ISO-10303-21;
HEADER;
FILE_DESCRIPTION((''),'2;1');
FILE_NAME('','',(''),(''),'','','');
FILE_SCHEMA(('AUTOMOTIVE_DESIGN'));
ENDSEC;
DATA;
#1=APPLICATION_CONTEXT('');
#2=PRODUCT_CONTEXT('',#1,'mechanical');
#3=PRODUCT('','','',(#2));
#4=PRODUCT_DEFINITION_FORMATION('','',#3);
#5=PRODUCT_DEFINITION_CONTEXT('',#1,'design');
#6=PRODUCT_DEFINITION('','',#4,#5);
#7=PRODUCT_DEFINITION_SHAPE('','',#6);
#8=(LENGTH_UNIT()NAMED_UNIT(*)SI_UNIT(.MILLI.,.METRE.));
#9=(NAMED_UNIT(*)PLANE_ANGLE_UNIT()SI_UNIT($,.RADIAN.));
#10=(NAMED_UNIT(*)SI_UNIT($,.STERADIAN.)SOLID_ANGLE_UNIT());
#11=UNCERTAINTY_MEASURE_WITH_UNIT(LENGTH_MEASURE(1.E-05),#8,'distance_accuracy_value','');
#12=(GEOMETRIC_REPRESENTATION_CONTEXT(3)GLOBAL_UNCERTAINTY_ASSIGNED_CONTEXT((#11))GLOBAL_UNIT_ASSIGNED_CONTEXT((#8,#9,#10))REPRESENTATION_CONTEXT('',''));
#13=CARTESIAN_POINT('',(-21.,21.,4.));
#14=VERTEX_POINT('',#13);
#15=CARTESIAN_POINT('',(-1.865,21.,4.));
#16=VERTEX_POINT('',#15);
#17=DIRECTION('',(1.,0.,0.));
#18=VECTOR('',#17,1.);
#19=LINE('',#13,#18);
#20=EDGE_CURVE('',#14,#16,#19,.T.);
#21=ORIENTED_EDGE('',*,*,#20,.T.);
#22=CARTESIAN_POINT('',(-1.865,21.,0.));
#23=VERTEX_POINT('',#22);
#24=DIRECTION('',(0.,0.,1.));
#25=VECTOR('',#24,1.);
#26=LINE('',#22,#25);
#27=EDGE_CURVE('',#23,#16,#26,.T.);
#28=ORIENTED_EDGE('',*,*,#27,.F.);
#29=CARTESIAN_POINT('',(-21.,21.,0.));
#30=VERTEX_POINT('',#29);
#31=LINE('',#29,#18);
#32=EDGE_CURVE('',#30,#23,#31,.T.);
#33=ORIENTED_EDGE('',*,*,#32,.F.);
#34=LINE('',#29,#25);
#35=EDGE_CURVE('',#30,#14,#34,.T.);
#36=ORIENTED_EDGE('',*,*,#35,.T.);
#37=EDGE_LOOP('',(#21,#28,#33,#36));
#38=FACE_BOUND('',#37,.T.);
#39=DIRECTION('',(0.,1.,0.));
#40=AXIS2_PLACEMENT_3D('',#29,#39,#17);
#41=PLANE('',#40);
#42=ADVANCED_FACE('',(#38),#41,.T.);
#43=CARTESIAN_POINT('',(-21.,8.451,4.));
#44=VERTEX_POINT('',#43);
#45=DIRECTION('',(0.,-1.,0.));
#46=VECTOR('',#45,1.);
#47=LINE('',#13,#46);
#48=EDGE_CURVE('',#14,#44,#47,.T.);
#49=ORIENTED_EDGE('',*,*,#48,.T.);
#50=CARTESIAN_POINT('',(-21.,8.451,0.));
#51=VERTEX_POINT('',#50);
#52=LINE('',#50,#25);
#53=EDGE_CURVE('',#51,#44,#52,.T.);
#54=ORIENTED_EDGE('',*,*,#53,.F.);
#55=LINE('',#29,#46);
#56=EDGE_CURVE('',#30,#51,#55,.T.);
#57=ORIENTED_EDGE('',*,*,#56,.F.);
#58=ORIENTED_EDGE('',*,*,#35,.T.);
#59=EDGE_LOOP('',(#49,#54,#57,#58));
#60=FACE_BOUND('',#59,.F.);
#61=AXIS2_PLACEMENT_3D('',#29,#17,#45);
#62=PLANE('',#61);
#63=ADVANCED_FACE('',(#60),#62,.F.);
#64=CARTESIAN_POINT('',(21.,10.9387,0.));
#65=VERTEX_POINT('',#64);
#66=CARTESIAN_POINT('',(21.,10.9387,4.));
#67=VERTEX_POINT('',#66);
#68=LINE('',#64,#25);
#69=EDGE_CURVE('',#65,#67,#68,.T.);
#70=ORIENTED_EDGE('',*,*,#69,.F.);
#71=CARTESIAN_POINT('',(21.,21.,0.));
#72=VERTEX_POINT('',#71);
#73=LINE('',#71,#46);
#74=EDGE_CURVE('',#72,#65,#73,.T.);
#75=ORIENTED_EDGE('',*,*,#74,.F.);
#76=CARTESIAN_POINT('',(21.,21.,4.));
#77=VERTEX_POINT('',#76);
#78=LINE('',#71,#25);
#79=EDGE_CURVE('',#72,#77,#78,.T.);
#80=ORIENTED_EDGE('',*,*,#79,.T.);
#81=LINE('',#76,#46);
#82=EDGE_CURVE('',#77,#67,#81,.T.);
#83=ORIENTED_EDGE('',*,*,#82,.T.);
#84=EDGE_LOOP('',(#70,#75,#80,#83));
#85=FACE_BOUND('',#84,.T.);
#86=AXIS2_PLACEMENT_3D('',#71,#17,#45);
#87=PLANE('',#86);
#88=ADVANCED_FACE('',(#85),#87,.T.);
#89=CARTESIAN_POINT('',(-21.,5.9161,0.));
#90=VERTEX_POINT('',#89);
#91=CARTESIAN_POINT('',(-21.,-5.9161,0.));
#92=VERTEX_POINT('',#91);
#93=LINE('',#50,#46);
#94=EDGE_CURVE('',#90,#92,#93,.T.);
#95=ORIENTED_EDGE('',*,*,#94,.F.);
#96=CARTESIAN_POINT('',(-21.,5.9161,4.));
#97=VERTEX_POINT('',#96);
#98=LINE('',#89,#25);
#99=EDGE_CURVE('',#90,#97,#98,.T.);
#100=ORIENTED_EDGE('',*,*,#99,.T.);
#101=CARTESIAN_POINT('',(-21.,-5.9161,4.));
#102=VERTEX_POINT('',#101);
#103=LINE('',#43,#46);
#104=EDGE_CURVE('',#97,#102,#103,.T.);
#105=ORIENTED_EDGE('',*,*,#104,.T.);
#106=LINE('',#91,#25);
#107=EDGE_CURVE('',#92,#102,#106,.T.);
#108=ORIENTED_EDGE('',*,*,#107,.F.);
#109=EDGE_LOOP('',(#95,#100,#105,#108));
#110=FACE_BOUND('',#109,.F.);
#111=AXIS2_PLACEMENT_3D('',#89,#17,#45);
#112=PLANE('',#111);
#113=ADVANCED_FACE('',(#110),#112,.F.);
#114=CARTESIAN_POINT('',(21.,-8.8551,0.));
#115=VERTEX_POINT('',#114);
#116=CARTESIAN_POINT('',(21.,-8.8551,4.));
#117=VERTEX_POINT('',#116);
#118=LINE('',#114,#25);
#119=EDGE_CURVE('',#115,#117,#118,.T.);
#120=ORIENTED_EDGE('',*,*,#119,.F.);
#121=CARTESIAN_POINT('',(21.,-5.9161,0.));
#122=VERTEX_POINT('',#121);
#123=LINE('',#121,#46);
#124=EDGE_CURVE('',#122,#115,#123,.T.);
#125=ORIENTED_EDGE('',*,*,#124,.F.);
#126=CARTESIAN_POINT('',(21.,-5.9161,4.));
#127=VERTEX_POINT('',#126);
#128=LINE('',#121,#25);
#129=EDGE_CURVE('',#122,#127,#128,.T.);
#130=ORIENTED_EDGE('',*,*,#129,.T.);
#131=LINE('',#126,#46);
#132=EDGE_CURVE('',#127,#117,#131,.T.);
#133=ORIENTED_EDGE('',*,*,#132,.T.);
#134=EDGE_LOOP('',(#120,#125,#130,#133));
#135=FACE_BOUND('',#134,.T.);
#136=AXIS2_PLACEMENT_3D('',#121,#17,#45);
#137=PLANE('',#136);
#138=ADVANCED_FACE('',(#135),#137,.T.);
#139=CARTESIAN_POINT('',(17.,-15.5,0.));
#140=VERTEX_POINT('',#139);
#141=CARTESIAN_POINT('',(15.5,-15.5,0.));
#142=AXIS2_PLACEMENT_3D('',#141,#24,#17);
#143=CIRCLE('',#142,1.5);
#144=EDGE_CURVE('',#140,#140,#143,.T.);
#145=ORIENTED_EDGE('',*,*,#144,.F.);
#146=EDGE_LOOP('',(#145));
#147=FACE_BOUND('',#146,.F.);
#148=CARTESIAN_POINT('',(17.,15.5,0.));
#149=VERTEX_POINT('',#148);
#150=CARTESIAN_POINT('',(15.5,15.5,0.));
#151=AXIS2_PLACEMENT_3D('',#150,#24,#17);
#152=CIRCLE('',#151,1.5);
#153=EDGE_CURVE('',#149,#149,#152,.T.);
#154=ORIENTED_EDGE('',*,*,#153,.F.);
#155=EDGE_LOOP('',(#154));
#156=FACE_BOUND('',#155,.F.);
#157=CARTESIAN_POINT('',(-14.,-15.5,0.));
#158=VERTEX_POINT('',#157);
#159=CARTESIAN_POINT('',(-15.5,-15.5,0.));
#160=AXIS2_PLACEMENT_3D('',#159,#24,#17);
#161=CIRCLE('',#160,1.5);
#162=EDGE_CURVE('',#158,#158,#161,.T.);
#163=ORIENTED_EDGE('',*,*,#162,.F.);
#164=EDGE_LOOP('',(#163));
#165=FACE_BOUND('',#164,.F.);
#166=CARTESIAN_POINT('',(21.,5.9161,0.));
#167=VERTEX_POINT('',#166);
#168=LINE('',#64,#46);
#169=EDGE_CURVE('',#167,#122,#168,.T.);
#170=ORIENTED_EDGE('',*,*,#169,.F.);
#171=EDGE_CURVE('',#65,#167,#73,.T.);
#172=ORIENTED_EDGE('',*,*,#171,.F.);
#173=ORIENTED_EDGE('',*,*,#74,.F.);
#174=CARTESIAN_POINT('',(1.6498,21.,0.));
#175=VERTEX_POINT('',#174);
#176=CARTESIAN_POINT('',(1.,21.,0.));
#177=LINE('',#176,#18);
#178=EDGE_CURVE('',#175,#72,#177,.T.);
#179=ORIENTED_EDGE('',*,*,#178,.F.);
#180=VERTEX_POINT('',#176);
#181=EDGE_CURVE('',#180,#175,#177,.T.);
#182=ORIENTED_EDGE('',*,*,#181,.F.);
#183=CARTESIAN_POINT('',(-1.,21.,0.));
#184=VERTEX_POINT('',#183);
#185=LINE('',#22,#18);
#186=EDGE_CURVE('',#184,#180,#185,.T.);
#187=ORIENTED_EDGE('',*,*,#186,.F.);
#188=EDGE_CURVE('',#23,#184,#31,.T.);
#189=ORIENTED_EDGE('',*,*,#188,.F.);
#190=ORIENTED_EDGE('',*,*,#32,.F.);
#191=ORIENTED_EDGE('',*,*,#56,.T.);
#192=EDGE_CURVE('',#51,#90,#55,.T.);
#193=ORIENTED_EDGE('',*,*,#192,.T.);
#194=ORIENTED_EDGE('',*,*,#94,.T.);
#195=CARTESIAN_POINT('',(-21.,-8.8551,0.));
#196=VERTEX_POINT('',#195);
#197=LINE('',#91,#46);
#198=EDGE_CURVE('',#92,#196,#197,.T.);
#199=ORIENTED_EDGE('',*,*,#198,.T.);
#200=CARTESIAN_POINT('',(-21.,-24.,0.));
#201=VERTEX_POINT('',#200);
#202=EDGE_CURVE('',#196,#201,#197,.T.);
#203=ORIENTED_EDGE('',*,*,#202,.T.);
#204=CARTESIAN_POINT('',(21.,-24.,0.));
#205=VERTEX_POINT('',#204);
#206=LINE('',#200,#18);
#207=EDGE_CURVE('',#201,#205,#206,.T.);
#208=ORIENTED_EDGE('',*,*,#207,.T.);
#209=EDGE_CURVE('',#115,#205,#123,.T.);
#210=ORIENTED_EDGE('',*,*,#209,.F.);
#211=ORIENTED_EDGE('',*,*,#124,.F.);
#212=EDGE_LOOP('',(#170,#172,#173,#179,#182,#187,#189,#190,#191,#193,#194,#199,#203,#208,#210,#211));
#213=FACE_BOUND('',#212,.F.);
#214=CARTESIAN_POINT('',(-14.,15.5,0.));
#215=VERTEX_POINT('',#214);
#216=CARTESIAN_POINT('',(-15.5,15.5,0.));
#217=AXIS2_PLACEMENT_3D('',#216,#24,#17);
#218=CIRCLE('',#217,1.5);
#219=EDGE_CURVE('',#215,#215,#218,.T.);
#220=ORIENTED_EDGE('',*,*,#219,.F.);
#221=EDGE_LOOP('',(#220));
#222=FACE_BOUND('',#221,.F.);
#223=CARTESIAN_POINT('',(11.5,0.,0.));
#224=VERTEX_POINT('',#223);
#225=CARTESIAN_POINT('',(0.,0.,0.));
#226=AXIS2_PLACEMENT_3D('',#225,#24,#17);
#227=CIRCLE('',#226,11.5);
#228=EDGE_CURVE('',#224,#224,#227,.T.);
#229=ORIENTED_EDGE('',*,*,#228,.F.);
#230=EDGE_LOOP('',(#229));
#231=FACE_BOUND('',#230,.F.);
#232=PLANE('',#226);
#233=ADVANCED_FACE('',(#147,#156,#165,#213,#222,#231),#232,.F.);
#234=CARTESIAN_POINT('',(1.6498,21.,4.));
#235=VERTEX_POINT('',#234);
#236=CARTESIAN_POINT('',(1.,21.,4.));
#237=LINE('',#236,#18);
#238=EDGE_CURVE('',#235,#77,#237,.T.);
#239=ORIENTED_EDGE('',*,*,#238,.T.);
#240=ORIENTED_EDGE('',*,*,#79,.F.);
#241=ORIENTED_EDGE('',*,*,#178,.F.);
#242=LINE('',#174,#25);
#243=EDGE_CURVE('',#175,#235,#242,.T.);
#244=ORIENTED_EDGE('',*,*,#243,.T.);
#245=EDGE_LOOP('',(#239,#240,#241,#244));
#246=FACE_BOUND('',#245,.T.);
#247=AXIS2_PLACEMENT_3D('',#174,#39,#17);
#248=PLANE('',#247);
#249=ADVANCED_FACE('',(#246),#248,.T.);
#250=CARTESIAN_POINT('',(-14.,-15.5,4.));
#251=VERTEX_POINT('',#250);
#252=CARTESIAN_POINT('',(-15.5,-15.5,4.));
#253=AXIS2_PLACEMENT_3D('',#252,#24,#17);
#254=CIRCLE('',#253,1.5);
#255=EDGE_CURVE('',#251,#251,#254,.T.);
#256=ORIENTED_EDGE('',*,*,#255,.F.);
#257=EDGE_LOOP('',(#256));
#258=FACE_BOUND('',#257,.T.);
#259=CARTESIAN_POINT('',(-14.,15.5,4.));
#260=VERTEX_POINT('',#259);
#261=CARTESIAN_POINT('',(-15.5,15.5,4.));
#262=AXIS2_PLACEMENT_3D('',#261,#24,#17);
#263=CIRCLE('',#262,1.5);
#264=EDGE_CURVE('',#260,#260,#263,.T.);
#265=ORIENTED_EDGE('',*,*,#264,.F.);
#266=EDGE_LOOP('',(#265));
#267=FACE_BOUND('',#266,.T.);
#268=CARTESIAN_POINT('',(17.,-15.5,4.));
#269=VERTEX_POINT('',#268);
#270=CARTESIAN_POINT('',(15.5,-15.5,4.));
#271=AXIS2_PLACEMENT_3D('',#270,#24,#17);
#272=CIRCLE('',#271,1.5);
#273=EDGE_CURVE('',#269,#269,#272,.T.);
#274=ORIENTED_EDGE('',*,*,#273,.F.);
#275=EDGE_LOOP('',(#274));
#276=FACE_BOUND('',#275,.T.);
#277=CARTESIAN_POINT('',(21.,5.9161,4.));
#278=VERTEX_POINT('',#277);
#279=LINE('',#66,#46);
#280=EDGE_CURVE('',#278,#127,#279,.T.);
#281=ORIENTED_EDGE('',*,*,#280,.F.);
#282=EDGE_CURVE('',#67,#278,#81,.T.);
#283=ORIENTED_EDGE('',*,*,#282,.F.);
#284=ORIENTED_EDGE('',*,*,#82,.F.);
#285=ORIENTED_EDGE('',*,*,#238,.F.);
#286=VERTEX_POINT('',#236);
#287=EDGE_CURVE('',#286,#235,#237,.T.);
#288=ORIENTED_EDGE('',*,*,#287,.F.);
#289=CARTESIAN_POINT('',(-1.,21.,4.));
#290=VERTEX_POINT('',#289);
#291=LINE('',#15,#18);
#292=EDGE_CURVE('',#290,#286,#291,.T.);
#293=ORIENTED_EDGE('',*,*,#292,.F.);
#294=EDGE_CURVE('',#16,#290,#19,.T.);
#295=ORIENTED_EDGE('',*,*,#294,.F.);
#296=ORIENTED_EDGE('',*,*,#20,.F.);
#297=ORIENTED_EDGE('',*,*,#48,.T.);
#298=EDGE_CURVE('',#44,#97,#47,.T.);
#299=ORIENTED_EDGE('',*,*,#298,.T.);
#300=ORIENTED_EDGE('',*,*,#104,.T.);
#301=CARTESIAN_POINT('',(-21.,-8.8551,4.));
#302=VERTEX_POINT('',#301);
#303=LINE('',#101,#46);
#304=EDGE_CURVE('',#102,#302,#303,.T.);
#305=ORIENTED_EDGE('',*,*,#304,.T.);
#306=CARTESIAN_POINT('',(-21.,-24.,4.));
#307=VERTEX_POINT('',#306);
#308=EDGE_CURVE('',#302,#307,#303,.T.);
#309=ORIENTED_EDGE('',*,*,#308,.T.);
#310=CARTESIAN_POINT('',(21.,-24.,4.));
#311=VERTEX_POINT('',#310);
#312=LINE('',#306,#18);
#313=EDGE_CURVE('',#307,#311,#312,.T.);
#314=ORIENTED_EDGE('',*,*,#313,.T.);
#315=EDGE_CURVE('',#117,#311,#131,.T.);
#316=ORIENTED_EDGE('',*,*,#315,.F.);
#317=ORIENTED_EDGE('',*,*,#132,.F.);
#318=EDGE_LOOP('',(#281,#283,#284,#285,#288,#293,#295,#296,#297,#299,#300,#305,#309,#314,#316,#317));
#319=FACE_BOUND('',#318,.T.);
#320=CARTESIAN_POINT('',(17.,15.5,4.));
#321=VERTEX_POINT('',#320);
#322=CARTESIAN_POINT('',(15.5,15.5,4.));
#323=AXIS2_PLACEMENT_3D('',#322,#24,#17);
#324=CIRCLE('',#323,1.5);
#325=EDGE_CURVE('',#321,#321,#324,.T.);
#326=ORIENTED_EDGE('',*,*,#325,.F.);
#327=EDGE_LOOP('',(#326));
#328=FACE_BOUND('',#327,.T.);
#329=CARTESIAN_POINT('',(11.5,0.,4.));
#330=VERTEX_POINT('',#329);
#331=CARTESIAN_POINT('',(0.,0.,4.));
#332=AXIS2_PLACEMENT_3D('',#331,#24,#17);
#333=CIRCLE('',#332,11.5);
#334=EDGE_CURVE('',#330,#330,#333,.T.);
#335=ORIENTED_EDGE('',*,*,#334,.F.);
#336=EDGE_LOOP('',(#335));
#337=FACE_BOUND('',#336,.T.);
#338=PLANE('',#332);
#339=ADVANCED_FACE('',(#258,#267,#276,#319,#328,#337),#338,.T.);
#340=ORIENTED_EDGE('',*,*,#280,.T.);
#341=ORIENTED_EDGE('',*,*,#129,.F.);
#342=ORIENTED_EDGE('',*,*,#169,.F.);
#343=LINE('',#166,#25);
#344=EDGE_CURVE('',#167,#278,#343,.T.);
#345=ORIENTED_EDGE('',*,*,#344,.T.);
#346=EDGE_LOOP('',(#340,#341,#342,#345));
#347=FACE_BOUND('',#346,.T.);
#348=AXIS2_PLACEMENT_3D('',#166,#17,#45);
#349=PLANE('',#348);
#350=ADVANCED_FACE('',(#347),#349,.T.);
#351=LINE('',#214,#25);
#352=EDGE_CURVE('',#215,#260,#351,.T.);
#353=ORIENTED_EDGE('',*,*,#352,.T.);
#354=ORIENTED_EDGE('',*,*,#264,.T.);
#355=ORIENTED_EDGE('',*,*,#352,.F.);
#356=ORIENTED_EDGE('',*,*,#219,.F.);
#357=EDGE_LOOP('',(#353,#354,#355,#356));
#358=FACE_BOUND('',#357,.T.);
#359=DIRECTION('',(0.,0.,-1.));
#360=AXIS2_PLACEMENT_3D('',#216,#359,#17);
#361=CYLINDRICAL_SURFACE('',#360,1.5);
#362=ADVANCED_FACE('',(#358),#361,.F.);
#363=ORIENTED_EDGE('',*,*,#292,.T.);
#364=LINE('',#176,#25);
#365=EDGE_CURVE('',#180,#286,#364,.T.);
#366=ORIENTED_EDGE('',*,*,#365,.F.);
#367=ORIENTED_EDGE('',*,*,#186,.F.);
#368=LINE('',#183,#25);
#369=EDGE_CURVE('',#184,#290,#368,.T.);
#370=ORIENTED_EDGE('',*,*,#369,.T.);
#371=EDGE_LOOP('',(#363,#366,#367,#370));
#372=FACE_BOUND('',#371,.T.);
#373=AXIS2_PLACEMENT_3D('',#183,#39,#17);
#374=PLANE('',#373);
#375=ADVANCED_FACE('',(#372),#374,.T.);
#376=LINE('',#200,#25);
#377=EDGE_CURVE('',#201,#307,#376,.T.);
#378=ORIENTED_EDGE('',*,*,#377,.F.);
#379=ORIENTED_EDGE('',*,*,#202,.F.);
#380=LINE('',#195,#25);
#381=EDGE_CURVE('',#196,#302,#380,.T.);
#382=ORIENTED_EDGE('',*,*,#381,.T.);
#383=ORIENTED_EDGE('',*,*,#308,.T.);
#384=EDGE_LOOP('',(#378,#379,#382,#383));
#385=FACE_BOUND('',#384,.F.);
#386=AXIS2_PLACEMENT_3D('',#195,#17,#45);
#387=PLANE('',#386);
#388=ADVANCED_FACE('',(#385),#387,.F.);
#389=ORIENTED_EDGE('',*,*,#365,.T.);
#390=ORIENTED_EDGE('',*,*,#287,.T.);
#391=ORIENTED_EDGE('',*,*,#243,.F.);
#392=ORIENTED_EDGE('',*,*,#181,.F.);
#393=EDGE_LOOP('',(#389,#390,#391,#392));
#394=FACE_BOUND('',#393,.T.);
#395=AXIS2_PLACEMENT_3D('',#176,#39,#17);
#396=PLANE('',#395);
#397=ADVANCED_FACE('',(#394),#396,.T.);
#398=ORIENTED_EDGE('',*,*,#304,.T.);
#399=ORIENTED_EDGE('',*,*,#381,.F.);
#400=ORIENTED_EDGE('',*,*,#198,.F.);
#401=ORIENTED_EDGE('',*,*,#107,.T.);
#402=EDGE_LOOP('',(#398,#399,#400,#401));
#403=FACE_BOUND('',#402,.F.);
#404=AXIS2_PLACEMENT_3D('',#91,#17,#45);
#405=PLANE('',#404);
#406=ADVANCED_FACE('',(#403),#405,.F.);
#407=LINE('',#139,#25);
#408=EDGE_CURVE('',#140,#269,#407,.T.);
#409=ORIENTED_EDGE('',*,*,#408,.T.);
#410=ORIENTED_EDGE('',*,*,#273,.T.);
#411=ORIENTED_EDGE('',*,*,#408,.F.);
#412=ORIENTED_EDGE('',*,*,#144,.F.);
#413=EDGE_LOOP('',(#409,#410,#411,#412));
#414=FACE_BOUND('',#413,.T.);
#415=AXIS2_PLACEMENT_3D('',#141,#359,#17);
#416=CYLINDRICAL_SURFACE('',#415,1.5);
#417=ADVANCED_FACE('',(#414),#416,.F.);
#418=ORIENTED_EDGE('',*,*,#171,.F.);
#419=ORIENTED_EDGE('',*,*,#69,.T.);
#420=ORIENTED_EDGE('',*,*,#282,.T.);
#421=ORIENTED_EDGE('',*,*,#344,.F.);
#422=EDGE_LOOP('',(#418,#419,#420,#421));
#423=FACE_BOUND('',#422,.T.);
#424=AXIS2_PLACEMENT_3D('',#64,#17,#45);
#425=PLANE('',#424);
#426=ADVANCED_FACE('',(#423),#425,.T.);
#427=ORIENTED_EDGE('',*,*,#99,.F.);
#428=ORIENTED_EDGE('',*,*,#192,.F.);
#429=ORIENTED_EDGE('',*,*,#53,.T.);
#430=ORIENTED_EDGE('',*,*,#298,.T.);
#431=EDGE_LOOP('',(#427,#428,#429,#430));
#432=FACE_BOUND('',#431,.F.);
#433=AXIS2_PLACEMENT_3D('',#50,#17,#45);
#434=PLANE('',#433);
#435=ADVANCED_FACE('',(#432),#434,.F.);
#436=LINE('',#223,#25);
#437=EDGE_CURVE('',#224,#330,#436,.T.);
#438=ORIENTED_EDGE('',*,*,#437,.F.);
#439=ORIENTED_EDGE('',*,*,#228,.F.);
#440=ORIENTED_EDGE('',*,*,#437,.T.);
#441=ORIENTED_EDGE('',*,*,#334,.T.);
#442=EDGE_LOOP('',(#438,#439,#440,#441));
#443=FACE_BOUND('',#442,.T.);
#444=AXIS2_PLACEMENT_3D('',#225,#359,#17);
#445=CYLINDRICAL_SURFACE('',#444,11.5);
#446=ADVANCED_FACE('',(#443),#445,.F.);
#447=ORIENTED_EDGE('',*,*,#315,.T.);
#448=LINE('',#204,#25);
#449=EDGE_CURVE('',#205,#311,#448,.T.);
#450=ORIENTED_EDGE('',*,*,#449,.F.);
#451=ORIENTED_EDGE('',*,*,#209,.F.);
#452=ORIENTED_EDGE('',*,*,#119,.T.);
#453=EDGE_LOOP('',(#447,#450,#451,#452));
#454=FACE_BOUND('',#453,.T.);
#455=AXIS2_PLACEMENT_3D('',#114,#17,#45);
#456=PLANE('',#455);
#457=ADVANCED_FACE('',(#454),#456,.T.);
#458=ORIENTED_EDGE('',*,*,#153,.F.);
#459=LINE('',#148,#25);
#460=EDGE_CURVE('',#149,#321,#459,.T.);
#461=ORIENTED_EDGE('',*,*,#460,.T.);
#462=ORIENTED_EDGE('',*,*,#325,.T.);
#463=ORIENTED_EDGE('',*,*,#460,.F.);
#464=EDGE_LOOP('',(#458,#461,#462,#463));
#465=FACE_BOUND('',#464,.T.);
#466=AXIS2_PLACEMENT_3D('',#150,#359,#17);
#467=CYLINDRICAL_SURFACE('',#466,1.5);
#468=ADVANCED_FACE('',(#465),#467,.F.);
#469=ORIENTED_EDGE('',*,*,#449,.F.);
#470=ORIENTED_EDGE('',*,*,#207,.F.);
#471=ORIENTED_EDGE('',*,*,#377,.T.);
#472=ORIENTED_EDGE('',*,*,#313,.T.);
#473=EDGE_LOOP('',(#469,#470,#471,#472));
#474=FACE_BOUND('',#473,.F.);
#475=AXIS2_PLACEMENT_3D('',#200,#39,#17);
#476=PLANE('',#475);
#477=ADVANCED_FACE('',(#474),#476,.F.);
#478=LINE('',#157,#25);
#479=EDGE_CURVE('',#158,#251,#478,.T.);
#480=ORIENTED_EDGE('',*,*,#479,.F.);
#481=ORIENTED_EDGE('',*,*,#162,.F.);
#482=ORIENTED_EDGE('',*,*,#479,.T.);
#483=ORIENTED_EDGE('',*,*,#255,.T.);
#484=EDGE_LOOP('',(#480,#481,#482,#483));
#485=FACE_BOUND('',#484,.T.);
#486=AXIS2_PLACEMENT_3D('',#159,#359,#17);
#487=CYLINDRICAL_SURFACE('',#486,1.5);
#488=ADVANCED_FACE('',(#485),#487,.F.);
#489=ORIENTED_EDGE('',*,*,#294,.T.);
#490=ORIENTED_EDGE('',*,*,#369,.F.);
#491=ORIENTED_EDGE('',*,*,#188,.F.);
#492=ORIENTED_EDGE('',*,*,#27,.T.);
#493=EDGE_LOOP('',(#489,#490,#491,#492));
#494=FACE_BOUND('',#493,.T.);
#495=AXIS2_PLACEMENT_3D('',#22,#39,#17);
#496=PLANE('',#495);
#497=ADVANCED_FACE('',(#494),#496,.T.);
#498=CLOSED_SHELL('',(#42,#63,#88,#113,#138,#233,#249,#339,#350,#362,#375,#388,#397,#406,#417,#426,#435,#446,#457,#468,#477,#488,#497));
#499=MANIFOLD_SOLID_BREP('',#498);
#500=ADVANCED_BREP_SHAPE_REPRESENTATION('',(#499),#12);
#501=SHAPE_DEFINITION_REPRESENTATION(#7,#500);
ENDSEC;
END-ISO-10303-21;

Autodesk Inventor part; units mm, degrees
ref_plane "YZ Plane" through (0, 0, 0) normal (1, 0, 0) x (0, 1, 0)
ref_plane "XZ Plane" through (0, 0, 0) normal (0, 1, 0) x (-1, 0, 0)
ref_plane "XY Plane" through (0, 0, 0) normal (0, 0, 1) x (1, 0, 0)
sketch "Sketch1" plane through (0, 0, 0) normal (0, 0, 1) x (1, 0, 0)
  circle A0 centre (0, 0) radius 11.5
  circle A1 centre (-15.5, 15.5) radius 1.5
  circle A2 centre (-15.5, -15.5) radius 1.5
  circle A3 centre (15.5, 15.5) radius 1.5
  circle A4 centre (15.5, -15.5) radius 1.5
  line L0 (-21, -24) -> (21, -24)
  line L1 (0, 20) -> (4.5462, 20) construction
  line L2 (-21, 21) -> (-1, 21)
  line L3 (1, 21) -> (21, 21)
  line L4 (-21, 21) -> (-21, 5.9161)
  line L5 (-21, -5.9161) -> (-21, -24)
  line L6 (21, 21) -> (21, 5.9161)
  line L7 (21, -5.9161) -> (21, -24)
  line L8 (-1.865, 21) -> (1.6498, 21)
  line L9 (-21, 8.451) -> (-21, -8.8551)
  line L10 (21, 10.9387) -> (21, -8.8551)
  dimension "d0" = 23
  dimension "d1" = 3
  dimension "d2" = 3
  dimension "d3" = 24
  dimension "d4" = 8.5
extrude "Extrusion1" add sketch "Sketch1" along normal blind 4
properties part number "StepperHolderTop"
